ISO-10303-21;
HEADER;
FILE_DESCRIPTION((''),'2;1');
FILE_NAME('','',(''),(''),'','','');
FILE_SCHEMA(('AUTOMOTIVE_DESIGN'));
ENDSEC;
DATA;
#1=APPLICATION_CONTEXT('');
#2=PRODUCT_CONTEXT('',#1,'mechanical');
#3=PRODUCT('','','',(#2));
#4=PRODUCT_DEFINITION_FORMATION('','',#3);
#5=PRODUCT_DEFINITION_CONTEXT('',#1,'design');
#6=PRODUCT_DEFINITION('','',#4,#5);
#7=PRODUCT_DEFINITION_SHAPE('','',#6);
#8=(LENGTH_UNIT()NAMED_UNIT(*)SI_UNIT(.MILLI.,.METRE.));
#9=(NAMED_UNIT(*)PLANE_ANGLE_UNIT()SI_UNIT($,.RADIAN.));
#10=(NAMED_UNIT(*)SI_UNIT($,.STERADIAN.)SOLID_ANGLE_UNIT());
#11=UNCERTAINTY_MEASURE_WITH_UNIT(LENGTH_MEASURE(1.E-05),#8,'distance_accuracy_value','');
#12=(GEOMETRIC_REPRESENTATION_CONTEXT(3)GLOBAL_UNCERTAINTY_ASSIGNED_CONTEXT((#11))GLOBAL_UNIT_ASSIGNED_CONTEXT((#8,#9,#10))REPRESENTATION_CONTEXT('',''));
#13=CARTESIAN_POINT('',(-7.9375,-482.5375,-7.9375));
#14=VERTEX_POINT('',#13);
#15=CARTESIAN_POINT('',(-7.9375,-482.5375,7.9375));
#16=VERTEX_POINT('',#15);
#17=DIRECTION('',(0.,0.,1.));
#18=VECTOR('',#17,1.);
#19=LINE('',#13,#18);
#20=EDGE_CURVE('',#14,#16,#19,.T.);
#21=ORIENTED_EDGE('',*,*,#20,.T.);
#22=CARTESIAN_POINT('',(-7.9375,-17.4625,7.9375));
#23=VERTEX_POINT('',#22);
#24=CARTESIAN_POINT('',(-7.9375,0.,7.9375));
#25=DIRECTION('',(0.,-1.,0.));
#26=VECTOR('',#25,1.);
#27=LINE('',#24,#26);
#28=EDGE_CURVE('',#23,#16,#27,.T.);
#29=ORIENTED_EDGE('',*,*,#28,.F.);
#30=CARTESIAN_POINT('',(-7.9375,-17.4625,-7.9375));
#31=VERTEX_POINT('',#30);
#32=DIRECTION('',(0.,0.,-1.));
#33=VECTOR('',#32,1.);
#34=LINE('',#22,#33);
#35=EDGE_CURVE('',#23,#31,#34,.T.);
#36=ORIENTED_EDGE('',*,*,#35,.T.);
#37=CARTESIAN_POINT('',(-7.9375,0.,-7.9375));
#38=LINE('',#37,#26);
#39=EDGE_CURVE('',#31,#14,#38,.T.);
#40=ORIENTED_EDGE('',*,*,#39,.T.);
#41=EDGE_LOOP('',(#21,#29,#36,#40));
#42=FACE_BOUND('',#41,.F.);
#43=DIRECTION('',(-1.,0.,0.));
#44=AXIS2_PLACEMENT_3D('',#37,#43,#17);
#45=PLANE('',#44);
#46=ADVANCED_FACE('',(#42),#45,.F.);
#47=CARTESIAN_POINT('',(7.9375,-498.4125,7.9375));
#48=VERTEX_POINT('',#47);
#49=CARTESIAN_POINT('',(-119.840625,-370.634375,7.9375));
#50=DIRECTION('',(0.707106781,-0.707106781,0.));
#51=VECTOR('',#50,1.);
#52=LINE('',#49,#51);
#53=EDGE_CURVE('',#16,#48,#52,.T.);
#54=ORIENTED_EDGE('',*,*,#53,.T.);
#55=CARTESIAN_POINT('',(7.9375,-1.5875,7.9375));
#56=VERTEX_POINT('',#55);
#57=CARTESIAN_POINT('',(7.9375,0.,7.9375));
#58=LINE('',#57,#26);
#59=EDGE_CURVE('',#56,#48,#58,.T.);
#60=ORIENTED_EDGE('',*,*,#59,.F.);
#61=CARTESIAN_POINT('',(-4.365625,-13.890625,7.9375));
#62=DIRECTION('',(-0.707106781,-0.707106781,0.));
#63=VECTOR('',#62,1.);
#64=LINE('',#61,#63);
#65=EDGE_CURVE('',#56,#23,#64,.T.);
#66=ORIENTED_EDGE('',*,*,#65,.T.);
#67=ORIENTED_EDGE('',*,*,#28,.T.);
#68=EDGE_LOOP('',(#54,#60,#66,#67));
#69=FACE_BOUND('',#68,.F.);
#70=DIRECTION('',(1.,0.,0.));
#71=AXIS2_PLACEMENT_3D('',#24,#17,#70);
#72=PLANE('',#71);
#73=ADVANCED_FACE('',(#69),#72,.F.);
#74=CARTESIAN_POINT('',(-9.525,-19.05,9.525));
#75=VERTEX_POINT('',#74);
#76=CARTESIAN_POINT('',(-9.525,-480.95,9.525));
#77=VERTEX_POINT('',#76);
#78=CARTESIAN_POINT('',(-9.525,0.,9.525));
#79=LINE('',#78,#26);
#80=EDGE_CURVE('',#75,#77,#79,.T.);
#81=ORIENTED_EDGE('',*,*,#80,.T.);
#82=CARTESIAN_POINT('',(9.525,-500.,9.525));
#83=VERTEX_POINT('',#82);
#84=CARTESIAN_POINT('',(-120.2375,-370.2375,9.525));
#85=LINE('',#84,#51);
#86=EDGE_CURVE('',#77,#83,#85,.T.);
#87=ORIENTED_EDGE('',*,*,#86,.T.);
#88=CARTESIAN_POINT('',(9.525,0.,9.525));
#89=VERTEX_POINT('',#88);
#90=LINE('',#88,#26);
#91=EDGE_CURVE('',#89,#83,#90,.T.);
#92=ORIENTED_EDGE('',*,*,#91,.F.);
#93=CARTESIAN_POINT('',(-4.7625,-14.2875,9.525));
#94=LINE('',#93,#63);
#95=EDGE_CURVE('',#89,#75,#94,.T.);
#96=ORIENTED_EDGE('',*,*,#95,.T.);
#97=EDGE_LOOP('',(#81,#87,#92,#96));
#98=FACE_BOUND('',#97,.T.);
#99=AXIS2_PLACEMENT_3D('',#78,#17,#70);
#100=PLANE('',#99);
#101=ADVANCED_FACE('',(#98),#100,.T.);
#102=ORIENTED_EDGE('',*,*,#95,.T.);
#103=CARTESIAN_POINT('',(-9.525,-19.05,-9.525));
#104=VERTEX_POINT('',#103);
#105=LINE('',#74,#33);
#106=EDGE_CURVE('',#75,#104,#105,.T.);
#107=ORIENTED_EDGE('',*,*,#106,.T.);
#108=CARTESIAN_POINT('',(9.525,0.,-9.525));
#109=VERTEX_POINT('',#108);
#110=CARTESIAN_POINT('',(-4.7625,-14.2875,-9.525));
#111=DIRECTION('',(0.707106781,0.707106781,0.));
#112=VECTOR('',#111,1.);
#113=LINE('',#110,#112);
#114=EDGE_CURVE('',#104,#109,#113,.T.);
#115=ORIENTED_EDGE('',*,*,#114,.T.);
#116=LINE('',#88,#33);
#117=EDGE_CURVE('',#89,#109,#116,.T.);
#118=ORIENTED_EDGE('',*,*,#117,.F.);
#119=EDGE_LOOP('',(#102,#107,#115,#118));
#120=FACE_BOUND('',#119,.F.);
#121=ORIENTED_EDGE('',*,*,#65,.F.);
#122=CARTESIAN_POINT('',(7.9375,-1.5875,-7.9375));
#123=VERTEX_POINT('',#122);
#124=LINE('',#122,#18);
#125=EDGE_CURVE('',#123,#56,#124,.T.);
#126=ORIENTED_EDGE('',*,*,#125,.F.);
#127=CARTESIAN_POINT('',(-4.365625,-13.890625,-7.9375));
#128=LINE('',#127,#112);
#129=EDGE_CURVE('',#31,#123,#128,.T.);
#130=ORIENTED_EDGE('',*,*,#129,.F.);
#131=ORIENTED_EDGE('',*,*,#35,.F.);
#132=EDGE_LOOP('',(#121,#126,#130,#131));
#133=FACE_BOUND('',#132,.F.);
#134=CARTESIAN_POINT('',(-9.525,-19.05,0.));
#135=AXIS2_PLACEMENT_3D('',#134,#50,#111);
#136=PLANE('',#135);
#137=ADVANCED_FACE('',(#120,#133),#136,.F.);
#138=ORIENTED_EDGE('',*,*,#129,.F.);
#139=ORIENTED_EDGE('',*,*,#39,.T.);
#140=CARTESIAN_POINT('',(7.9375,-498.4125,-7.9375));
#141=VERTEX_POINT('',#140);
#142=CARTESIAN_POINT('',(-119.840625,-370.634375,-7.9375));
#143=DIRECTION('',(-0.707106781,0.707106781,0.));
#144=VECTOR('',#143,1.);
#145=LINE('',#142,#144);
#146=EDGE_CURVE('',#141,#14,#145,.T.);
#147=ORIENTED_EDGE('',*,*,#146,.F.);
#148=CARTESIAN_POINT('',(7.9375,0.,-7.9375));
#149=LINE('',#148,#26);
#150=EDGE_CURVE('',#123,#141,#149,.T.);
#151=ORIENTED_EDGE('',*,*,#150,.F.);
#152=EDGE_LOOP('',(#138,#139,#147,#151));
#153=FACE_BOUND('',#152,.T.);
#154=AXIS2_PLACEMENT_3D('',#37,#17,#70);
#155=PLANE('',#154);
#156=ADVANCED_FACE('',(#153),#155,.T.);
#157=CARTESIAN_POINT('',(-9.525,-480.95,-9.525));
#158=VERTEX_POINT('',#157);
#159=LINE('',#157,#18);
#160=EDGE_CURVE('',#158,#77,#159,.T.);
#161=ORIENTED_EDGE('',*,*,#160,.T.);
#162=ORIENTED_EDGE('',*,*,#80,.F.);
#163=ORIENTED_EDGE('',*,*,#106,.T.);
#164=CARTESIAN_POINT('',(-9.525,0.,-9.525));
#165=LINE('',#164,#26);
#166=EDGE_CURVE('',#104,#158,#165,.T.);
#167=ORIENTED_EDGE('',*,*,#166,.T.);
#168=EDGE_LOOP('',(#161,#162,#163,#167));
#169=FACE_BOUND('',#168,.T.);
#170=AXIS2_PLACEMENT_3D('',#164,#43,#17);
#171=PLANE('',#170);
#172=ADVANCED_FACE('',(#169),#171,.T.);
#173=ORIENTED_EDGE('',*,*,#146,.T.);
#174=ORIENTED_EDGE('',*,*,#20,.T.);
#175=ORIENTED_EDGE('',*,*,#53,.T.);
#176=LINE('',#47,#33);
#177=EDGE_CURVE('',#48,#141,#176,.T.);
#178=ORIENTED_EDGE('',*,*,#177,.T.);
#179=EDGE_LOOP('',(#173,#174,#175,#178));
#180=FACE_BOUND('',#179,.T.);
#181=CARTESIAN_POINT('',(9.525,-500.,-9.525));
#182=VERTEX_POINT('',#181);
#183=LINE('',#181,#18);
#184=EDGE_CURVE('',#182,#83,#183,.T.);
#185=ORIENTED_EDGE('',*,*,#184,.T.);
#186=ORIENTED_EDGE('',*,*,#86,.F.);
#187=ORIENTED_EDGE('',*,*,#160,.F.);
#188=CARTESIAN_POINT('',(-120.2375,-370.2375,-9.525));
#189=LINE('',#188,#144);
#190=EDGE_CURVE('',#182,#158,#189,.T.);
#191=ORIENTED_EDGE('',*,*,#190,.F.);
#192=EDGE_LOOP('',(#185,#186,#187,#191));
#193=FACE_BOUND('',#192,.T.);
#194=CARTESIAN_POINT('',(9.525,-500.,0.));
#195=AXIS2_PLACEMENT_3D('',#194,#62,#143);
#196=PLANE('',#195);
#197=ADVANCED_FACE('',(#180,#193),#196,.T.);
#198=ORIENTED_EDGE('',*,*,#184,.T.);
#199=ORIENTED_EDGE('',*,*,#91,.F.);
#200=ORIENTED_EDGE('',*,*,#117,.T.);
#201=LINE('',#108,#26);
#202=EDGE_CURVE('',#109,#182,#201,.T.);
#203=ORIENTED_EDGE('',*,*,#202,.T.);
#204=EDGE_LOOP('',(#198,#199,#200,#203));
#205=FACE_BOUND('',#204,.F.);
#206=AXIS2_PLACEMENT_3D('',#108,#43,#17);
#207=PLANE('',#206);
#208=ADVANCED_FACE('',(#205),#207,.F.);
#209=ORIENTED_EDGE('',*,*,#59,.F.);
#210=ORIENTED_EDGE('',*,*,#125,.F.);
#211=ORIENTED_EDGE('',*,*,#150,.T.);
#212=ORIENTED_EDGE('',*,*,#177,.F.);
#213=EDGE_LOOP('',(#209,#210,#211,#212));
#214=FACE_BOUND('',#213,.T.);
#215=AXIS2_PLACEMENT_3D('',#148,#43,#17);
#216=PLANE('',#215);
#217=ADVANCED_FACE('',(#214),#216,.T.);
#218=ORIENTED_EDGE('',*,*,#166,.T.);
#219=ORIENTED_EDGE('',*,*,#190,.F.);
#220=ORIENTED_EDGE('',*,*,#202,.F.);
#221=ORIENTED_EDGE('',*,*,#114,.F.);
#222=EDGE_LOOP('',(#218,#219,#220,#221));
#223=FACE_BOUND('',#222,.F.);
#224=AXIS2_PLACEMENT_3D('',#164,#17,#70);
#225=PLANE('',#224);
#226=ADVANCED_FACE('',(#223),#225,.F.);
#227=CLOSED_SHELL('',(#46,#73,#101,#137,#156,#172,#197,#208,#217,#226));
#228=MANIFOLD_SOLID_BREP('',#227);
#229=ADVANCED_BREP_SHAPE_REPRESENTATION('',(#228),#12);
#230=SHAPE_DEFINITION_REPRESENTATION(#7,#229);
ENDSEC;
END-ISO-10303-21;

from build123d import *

# Parameters (mm, degrees)
F0_W     = 19.05
F0_H     = 19.05
F0_W_2   = 15.875
F0_H_2   = 15.875
F1_DEPTH = 500
F3_DEPTH = 9.526
F4_DEPTH = 9.526


with BuildPart() as f1:
    # F0 (on Front) → F1 (new body)
    with BuildSketch(Plane.XZ):
        Rectangle(F0_W, F0_H)
        Rectangle(F0_W_2, F0_H_2, mode=Mode.SUBTRACT)
    extrude(amount=F1_DEPTH)

    # F2 (on Top) → F3 (cut, through all)
    with BuildSketch(Plane.XY):
        Polygon((9.525, 0), (-9.525, 0), (-9.525, -19.05), align=None)
        Polygon((-9.525, -480.95), (-9.525, -500), (9.525, -500), align=None)
    extrude(amount=F3_DEPTH, mode=Mode.SUBTRACT)

    # F2 (on Top) → F4 (cut, through all)
    with BuildSketch(Plane.XY):
        Polygon((9.525, 0), (-9.525, 0), (-9.525, -19.05), align=None)
        Polygon((-9.525, -480.95), (-9.525, -500), (9.525, -500), align=None)
    extrude(amount=-F4_DEPTH, mode=Mode.SUBTRACT)


solid = f1.part
